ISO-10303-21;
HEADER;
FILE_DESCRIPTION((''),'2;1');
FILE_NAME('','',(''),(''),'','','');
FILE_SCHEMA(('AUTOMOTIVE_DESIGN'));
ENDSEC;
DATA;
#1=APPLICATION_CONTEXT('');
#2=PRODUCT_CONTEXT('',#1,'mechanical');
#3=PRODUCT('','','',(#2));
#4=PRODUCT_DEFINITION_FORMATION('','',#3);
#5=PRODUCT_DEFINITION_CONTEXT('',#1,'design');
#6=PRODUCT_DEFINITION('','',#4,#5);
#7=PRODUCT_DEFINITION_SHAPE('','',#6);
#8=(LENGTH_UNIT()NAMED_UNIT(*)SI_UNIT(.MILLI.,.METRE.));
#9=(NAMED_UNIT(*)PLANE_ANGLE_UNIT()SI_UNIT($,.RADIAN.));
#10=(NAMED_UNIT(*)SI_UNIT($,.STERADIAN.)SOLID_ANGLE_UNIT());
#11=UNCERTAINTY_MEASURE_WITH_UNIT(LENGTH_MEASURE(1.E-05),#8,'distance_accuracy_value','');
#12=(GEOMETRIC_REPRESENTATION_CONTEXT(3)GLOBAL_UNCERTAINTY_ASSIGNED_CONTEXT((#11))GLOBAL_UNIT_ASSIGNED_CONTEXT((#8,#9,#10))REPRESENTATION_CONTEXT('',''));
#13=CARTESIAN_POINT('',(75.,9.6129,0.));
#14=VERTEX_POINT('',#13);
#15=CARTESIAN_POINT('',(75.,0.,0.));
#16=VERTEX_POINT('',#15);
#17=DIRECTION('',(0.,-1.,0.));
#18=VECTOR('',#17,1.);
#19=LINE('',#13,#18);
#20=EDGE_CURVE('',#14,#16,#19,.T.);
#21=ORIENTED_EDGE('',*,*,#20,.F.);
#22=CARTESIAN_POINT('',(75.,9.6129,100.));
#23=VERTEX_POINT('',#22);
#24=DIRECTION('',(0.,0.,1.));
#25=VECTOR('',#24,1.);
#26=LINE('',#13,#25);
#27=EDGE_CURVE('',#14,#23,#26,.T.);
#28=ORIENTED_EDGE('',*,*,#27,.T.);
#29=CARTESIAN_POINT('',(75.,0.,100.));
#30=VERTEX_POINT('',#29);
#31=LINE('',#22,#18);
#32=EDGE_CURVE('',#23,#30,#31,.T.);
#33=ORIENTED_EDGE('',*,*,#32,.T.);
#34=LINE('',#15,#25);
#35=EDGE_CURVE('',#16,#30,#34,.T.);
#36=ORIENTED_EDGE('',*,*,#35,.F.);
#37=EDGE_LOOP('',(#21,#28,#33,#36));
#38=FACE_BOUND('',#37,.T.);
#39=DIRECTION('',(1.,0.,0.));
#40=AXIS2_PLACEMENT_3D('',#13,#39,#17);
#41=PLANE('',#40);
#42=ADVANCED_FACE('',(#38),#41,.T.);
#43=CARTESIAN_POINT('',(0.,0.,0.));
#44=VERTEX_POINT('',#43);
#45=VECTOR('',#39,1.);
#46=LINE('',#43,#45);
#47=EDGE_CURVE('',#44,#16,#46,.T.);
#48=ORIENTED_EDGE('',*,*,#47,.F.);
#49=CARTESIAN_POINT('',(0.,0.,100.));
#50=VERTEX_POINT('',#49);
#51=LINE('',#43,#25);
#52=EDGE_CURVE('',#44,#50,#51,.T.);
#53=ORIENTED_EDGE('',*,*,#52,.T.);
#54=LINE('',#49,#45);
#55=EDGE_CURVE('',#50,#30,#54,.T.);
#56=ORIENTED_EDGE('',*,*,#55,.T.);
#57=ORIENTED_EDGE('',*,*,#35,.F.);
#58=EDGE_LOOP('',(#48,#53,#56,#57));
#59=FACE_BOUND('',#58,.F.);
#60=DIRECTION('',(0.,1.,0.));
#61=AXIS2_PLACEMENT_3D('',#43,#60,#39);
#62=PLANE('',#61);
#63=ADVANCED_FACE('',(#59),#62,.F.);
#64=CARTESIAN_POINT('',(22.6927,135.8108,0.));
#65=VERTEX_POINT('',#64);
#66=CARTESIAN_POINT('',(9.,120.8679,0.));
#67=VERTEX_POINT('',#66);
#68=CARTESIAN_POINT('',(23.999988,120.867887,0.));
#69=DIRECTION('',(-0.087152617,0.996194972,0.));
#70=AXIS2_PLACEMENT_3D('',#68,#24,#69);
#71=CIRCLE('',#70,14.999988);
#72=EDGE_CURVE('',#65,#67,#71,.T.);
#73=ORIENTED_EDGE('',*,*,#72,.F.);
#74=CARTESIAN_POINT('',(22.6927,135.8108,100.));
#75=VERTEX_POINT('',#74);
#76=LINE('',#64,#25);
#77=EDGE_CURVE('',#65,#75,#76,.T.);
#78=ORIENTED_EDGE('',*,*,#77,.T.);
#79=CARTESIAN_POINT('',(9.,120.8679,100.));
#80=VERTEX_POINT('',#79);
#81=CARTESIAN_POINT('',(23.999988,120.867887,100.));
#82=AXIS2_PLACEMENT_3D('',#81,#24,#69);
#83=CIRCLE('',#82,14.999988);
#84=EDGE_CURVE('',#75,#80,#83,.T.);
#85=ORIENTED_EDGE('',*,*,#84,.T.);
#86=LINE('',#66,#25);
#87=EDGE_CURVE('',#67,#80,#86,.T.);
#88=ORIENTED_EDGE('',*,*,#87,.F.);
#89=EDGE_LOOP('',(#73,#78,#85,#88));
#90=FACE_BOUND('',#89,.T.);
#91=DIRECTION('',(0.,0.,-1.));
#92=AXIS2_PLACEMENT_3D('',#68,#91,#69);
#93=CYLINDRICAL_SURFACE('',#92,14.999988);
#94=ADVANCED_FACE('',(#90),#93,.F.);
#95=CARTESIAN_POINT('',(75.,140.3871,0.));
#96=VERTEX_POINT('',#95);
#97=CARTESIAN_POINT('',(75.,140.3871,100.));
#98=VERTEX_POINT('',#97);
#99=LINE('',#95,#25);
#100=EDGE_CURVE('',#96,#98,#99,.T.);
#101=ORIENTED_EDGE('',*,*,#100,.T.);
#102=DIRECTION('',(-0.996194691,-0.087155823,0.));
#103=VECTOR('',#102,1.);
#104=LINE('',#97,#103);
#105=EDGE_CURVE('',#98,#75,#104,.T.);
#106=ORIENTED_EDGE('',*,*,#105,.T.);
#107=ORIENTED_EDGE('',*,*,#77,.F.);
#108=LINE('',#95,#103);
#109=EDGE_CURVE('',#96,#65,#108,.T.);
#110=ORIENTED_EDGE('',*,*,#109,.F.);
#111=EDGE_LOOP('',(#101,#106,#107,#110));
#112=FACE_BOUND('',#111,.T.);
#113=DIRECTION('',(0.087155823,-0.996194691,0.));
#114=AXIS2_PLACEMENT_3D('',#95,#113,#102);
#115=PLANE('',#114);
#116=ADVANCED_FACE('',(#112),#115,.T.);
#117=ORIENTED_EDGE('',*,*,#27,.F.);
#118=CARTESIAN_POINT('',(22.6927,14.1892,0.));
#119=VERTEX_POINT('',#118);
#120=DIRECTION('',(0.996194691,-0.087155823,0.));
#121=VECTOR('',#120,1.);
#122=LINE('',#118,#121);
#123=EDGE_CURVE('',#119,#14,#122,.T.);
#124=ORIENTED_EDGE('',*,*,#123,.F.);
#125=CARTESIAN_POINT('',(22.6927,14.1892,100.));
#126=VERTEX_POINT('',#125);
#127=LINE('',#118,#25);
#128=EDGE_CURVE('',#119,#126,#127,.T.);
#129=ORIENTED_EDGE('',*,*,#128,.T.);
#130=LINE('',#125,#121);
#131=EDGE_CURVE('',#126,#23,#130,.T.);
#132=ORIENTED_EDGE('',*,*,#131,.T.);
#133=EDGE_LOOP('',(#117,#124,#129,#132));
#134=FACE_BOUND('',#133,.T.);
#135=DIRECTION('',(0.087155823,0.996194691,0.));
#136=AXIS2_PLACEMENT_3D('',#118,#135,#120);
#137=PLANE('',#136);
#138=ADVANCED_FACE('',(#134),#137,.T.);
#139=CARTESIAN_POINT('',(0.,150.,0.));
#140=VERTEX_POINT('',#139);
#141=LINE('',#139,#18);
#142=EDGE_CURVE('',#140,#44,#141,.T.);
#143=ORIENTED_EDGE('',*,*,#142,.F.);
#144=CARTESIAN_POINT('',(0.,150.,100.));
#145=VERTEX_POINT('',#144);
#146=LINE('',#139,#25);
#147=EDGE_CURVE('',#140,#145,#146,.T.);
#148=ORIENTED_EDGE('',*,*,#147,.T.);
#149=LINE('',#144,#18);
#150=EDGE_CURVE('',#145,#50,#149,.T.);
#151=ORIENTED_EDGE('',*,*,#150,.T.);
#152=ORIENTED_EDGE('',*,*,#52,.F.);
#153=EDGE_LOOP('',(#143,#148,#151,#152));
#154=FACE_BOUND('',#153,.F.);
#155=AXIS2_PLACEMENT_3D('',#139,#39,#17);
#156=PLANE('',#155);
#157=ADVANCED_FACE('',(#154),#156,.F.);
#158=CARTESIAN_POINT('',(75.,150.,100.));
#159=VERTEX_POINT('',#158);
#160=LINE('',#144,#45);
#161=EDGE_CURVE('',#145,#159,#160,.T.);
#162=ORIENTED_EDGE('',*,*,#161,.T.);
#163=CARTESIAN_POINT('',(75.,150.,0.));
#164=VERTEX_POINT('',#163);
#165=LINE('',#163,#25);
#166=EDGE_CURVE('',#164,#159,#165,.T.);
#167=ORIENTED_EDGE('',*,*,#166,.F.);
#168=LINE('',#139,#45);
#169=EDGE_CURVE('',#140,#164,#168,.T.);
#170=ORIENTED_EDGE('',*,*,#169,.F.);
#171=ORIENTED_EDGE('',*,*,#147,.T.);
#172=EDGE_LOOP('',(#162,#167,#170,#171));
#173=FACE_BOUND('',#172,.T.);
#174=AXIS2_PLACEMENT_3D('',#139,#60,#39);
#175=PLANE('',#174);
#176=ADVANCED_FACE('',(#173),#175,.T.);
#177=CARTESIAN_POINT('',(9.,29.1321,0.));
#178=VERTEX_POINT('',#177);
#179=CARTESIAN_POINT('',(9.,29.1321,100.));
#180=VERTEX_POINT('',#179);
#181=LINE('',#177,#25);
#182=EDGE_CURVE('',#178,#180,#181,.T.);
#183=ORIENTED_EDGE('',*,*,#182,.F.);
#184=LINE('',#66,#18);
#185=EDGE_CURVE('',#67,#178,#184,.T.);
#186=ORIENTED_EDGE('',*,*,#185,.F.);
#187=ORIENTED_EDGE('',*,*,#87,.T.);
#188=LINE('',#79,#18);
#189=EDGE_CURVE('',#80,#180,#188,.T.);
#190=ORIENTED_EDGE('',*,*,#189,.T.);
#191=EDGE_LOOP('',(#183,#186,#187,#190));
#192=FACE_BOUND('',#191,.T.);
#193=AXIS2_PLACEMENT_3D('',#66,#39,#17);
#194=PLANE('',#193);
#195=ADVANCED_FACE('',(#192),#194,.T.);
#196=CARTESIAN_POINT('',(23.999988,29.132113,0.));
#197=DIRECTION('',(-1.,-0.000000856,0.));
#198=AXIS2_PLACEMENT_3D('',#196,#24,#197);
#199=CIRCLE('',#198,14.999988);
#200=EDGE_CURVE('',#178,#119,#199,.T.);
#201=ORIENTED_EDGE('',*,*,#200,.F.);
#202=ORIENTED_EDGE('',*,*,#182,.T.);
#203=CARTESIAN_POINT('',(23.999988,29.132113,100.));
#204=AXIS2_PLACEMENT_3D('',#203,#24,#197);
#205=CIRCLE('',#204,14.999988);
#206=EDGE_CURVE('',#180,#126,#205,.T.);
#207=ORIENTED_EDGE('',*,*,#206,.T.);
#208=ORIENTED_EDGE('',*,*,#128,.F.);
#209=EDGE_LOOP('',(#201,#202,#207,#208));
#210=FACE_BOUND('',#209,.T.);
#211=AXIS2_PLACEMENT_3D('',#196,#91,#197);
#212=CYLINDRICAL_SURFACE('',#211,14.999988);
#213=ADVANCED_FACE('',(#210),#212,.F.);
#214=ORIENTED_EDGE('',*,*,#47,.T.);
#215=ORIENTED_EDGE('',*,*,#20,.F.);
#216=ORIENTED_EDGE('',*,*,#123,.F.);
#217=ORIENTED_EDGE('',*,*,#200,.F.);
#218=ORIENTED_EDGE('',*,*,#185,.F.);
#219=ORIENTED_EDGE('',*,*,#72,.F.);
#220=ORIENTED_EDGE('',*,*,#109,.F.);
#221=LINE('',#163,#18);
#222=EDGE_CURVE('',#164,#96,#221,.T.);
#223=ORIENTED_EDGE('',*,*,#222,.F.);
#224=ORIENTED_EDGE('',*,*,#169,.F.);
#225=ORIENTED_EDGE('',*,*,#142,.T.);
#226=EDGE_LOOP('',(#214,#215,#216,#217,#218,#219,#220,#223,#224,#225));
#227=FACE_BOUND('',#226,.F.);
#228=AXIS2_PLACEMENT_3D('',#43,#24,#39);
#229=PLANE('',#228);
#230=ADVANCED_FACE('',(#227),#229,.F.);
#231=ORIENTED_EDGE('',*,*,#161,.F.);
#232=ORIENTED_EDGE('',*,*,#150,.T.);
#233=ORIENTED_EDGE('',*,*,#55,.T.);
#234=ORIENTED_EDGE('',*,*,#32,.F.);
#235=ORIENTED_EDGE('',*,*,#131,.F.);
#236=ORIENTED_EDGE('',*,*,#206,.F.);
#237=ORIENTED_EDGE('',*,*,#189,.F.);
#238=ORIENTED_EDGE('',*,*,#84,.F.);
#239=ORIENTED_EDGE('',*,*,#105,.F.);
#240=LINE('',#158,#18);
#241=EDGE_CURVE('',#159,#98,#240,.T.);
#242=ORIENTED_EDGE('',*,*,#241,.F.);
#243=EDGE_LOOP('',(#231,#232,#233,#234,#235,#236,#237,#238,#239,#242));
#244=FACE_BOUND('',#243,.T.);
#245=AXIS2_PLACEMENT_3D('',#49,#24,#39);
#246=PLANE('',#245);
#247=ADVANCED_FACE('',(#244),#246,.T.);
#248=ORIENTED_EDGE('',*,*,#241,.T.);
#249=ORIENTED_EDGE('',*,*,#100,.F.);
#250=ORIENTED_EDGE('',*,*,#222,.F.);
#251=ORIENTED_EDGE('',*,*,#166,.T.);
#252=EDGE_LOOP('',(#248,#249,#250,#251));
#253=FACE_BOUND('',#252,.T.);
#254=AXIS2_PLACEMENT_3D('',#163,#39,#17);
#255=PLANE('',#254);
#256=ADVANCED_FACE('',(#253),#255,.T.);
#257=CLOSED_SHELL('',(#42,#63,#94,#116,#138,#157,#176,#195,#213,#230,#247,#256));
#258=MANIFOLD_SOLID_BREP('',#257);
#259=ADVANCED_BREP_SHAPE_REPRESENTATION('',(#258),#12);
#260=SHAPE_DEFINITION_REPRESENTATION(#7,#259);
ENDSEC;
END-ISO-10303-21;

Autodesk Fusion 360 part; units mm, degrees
sketch "スケッチ1" plane through (0, 0, 0) normal (0, 0, 1) x (1, 0, 0)
  line L0 (9, 120.8679) -> (9, 29.1321)
  line L1 (0, 150) -> (0, 0)
  line L2 (0, 0) -> (75, 0)
  line L3 (22.6927, 14.1892) -> (75, 9.6129)
  arc A0 (9, 29.1321) -> (22.6927, 14.1892) centre (24, 29.1321) ccw
  line L4 (75, 9.6129) -> (75, 0)
  line L5 (75, 140.3871) -> (22.6927, 135.8108)
  line L6 (0, 150) -> (75, 150)
  arc A1 (22.6927, 135.8108) -> (9, 120.8679) centre (24, 120.8679) ccw
  line L7 (75, 150) -> (75, 140.3871)
extrude "押し出し1" add sketch "スケッチ1" along normal blind 100
